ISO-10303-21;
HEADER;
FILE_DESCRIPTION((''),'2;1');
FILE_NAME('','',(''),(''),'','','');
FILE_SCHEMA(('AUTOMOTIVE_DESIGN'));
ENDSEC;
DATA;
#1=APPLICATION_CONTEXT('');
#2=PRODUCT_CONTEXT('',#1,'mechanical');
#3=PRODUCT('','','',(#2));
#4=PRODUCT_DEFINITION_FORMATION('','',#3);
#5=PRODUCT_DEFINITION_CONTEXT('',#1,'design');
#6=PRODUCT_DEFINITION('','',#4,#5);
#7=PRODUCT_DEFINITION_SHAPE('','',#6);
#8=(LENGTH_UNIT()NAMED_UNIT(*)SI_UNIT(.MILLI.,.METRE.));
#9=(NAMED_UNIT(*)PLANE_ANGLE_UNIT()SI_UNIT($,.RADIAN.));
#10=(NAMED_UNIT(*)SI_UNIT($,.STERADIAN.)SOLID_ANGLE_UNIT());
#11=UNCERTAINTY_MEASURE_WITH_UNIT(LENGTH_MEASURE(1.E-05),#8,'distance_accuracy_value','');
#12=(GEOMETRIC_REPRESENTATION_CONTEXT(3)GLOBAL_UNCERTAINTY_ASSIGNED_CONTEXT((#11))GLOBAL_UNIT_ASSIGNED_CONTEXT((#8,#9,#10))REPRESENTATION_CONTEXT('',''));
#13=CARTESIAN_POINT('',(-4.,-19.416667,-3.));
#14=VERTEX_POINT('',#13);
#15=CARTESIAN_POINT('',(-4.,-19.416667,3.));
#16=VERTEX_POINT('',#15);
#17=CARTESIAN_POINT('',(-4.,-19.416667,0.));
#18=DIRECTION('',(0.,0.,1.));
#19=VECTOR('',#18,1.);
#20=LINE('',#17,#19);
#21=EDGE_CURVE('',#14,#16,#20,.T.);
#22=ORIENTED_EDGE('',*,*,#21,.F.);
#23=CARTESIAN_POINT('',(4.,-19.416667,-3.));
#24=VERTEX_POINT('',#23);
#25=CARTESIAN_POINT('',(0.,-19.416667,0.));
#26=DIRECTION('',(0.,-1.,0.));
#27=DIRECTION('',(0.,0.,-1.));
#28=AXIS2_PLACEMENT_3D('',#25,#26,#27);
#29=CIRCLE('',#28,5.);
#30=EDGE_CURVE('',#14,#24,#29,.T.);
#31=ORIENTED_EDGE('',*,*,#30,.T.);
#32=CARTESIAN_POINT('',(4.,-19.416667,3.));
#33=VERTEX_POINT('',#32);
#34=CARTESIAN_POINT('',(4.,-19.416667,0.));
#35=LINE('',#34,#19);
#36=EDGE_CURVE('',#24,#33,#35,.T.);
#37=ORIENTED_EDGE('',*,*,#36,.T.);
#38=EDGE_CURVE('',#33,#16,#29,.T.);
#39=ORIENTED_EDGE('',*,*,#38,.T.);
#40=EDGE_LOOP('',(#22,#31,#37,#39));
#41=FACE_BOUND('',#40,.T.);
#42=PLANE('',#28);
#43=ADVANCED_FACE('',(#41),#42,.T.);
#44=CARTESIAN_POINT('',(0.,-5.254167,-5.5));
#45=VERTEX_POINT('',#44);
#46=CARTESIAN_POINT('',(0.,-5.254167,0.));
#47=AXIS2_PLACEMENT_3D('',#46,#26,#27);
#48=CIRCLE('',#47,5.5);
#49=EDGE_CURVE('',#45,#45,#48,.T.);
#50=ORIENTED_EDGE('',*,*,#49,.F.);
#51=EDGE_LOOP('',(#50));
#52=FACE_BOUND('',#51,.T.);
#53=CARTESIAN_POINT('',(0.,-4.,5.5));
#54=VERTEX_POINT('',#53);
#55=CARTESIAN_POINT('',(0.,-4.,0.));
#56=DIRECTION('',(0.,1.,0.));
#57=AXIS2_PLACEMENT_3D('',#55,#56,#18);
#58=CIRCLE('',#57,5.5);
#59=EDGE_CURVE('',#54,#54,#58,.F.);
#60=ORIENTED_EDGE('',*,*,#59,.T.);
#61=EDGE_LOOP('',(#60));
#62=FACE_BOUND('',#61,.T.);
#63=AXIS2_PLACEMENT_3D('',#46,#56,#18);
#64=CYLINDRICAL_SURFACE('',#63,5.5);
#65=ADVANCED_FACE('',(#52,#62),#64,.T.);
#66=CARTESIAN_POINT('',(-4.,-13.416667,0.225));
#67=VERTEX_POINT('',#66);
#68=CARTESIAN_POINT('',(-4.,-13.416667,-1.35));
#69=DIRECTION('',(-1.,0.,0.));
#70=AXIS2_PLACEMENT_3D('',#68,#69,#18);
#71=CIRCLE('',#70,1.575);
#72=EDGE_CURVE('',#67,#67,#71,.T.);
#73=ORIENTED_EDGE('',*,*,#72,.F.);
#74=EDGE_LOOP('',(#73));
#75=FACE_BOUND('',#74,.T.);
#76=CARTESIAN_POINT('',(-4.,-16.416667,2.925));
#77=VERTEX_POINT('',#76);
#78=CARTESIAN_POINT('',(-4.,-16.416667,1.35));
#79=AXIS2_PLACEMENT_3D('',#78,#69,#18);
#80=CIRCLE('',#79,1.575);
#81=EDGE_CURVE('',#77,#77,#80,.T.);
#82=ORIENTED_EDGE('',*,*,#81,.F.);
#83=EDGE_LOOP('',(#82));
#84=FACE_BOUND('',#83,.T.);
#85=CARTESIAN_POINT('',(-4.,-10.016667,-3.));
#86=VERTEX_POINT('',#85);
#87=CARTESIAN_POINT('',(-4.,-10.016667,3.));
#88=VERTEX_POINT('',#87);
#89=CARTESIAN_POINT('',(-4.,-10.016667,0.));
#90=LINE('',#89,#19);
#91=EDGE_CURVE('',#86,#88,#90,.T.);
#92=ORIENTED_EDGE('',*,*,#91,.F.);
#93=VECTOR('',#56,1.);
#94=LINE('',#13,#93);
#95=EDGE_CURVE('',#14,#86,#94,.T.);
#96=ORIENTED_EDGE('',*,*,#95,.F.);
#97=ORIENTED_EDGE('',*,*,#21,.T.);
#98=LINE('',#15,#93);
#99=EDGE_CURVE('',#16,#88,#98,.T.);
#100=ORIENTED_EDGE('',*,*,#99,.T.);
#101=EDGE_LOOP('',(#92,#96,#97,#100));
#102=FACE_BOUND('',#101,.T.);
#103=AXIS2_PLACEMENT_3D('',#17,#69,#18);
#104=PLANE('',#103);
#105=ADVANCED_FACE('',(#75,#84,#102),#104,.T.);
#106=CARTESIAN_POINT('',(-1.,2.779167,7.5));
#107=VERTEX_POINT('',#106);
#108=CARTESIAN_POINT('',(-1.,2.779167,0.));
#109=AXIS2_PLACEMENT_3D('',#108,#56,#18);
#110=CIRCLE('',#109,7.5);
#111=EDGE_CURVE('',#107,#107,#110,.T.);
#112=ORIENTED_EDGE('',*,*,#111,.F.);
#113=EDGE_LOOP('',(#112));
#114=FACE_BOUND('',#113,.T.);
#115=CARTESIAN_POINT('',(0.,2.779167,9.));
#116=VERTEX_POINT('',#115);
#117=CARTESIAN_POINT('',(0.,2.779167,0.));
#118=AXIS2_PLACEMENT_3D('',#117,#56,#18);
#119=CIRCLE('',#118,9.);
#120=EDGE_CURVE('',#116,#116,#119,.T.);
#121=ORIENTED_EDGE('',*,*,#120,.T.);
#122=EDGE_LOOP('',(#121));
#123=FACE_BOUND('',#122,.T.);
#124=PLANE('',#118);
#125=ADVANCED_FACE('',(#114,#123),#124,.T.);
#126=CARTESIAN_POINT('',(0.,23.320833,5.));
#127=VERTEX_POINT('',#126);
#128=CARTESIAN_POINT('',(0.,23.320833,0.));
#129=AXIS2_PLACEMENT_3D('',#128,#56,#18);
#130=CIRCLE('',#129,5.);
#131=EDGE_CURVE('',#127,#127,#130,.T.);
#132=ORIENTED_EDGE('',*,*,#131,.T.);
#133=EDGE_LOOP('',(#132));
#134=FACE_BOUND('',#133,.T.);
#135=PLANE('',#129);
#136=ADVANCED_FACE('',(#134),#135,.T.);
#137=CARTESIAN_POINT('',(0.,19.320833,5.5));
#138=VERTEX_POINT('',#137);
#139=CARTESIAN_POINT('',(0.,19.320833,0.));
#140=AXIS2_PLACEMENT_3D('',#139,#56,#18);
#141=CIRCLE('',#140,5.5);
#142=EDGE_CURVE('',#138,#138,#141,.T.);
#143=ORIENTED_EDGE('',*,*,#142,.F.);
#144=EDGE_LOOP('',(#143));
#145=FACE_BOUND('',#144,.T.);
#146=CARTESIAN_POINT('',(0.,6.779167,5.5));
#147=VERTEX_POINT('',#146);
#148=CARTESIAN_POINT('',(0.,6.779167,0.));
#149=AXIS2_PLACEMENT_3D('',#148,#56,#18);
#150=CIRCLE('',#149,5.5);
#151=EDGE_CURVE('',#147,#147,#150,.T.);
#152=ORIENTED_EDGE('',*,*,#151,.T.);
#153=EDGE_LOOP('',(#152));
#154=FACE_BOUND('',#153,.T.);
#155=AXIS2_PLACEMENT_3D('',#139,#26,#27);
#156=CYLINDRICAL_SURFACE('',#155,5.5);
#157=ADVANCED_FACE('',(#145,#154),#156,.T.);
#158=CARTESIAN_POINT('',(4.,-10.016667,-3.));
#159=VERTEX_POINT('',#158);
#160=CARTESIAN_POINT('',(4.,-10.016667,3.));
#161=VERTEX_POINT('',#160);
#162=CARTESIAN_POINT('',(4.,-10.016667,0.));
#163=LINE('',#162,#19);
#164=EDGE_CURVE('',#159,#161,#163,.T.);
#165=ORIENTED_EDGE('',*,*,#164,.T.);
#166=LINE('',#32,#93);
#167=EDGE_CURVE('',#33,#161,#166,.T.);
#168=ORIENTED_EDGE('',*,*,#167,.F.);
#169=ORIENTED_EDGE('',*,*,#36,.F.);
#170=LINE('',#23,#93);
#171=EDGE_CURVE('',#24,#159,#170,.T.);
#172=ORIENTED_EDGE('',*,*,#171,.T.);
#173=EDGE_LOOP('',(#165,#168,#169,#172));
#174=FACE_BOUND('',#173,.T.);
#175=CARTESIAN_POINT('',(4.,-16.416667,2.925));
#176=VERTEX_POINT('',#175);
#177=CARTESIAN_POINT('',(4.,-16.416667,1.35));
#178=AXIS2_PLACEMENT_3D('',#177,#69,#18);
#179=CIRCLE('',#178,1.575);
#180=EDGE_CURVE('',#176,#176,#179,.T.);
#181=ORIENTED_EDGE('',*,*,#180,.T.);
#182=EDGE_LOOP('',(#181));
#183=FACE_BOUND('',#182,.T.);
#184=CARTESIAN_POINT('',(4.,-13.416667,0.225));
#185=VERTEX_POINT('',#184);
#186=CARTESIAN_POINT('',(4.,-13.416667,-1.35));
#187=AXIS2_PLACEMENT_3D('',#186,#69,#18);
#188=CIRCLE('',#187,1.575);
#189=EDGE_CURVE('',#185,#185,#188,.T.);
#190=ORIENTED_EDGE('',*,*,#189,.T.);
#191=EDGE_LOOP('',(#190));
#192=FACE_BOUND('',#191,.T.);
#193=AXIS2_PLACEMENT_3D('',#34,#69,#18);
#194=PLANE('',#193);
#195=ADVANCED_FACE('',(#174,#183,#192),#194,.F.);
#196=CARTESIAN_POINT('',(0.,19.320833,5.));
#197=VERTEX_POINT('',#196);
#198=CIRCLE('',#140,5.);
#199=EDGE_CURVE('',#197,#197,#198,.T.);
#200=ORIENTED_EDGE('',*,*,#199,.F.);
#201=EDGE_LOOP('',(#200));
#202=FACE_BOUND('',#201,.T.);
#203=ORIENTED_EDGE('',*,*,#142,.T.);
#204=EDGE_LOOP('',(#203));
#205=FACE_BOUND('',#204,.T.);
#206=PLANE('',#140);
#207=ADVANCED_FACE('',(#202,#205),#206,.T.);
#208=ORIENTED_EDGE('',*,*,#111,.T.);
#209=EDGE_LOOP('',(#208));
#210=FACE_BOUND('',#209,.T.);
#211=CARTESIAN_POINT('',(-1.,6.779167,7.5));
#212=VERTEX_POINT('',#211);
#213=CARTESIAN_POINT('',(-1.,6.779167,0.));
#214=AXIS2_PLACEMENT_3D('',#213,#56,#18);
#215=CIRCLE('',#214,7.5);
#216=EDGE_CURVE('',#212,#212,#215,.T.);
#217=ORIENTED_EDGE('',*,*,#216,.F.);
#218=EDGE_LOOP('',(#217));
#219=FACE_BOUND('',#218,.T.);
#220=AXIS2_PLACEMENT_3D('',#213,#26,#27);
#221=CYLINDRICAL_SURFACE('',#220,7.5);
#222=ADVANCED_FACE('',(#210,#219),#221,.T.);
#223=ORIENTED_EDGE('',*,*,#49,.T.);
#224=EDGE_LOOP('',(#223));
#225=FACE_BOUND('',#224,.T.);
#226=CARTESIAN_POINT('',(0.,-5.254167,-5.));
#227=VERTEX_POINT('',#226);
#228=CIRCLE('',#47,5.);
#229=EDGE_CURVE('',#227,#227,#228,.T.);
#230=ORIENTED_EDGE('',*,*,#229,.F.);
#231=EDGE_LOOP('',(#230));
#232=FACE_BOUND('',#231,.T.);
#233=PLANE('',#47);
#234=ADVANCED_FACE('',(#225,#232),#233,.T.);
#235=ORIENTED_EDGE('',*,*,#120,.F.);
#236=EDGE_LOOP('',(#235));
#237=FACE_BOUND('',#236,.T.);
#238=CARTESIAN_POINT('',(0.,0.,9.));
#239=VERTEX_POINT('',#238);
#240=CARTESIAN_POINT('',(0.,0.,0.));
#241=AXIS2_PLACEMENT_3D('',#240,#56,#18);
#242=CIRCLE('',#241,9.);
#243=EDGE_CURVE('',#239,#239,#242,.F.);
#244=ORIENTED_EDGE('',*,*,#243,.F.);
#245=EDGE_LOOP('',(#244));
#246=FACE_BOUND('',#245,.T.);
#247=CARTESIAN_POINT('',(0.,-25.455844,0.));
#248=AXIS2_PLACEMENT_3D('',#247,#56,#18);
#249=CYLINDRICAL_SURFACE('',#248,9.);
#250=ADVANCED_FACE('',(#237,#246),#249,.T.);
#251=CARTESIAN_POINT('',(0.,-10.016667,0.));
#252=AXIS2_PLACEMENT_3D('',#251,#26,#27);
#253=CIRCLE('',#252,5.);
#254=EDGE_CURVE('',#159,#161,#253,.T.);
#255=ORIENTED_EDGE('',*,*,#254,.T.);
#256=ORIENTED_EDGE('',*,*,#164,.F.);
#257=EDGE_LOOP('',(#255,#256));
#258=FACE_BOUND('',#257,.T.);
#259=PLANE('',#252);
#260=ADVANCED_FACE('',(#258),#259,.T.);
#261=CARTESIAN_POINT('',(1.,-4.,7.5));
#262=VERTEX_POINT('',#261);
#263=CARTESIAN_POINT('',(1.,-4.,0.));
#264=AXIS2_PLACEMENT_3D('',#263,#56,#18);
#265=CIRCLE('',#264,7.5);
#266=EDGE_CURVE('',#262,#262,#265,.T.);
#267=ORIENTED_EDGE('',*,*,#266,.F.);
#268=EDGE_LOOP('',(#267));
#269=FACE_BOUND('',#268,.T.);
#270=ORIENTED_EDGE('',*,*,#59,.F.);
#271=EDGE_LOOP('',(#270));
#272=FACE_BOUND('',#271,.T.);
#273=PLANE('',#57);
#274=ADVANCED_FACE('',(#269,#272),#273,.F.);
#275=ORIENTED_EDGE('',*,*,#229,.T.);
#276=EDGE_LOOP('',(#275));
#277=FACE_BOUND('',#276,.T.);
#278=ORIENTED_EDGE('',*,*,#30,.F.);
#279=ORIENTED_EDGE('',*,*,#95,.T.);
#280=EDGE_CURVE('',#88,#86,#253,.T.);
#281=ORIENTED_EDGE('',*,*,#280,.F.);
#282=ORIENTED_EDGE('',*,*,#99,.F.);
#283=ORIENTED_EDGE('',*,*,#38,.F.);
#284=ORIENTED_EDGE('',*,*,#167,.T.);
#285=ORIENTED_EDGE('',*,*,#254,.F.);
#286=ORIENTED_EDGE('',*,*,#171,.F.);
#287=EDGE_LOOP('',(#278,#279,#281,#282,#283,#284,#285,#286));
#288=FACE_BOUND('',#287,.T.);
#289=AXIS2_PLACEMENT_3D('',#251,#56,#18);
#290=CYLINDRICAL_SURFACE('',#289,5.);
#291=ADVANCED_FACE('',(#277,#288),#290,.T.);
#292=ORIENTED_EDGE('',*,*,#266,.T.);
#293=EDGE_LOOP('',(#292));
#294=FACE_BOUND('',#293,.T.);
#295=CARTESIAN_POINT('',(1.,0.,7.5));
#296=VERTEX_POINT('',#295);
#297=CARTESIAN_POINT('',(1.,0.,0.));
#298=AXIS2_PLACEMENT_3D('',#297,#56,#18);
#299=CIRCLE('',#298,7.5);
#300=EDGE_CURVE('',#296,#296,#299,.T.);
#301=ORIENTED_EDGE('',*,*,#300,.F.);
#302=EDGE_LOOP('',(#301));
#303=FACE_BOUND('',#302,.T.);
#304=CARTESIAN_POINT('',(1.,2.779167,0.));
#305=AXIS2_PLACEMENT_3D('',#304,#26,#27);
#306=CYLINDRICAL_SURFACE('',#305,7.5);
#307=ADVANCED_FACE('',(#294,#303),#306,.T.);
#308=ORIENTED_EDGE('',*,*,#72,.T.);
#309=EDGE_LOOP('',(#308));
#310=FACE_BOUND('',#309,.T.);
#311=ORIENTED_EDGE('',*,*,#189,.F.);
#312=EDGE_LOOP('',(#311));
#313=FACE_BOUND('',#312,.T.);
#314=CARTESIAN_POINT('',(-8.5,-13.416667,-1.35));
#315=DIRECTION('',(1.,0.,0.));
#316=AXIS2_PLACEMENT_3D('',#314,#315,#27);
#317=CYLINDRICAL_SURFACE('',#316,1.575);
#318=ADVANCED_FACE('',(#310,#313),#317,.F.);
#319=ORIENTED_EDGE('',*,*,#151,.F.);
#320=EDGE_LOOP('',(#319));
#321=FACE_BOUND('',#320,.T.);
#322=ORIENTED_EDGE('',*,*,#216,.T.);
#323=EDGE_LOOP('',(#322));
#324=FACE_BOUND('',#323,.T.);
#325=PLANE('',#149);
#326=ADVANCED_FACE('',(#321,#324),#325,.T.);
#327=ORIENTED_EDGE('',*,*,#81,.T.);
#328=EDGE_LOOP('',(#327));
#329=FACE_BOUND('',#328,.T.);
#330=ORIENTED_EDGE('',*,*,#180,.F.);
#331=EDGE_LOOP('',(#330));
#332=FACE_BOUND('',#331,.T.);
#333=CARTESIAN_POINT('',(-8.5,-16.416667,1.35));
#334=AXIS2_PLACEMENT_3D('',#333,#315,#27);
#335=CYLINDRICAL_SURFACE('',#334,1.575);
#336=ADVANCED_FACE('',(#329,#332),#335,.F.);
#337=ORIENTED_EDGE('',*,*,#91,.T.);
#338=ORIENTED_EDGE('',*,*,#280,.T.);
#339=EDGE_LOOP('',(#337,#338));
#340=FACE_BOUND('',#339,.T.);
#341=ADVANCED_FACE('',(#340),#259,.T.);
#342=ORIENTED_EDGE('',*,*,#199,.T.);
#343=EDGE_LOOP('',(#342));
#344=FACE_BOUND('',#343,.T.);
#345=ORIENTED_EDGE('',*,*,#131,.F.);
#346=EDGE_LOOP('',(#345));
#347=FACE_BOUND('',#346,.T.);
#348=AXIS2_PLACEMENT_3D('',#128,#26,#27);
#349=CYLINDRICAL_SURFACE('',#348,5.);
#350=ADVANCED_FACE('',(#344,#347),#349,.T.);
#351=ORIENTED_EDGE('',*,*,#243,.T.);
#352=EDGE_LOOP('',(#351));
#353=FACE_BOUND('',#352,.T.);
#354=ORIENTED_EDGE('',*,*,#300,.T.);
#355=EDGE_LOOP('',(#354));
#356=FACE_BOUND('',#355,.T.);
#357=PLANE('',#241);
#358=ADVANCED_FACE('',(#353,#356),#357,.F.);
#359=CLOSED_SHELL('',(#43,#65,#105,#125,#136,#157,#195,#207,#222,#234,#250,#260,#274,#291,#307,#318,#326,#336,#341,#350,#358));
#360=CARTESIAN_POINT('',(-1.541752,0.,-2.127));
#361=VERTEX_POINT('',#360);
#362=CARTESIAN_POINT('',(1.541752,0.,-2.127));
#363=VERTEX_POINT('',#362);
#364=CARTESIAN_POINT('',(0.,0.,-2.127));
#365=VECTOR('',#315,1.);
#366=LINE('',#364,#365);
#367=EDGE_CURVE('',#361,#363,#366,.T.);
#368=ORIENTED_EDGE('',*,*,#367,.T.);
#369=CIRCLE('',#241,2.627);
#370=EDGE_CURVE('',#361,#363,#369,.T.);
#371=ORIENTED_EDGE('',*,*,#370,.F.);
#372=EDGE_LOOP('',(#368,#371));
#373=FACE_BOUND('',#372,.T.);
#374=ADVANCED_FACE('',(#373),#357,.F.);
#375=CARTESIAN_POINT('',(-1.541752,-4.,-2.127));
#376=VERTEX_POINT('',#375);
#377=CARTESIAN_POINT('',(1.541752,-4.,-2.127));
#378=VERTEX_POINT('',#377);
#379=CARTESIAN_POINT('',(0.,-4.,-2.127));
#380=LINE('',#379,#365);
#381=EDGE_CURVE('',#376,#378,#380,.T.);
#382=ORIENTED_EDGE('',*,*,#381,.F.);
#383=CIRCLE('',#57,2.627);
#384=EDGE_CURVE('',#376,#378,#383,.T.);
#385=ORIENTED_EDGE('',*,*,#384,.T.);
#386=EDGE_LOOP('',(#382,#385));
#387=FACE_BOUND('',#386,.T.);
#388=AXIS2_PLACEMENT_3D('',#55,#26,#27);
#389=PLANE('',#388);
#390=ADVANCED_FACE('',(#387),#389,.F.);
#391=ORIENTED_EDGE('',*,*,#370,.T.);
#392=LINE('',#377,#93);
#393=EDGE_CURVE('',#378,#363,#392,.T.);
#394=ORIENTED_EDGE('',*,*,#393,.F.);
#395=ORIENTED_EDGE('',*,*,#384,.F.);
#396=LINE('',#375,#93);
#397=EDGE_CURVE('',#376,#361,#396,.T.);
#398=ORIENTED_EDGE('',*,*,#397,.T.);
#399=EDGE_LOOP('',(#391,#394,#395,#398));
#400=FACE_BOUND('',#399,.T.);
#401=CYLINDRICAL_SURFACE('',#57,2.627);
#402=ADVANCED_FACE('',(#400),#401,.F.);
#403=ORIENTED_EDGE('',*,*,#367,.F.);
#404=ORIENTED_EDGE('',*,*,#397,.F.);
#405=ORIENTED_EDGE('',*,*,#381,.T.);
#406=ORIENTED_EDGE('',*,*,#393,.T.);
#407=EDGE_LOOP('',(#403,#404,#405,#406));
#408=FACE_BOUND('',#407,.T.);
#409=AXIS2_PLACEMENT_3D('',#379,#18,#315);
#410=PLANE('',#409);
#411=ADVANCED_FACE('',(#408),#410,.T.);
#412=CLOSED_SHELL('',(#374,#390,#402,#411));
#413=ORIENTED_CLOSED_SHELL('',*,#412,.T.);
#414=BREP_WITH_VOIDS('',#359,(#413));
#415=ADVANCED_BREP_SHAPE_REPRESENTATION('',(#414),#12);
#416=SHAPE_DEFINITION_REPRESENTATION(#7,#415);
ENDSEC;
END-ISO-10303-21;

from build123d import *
from build123d.topology import SkipClean

# Parameters (mm, degrees)
SKETCH1_R               = 7.5
BOSS_EXTRUDE1_DEPTH     = 6.779166667
SKETCH1_3_R             = 7.5
BOSS_EXTRUDE2_DEPTH     = 2.779166667
BOSS_EXTRUDE3_START     = -4
SKETCH1_4_R             = 7.5
BOSS_EXTRUDE3_DEPTH     = 4
SKETCH2_R               = 5
BOSS_EXTRUDE4_DEPTH     = 6.016666667
SKETCH2_3_R             = 5.5
SKETCH2_3_R_2           = 5
BOSS_EXTRUDE5_DEPTH     = 1.254166667
BOSS_EXTRUDE9_START     = 16.541666667
SKETCH3_R               = 5
BOSS_EXTRUDE9_DEPTH     = 16.541666667
BOSS_EXTRUDE10_START    = 12.541666667
SKETCH3_3_R             = 5.5
SKETCH3_3_R_2           = 5
BOSS_EXTRUDE10_DEPTH    = 12.541666667
BOSS_EXTRUDE11_DEPTH    = 9.4
CUT_EXTRUDE1_DEPTH      = 28.502022969
CUT_EXTRUDE1_DEPTH_BACK = 28.502022969
SKETCH5_R               = 1.575
CUT_EXTRUDE5_START      = -2.779166667
CUT_EXTRUDE5_DEPTH      = 2.779166667
BOSS_EXTRUDE12_START    = -2.779166667
SKETCH6_4_R             = 9
BOSS_EXTRUDE12_DEPTH    = 2.779166667


with BuildPart() as part:
    # Sketch1 → Boss-Extrude1 (new body)
    with BuildSketch(Plane(origin=(0, 0, 0), x_dir=(1, 0, 0), z_dir=(0, 1, 0))):
        with Locations(Location((-1, 0, 0), (0, 0, 270))):
            Circle(SKETCH1_R)
    extrude(amount=BOSS_EXTRUDE1_DEPTH)

    # Sketch1<3> → Boss-Extrude2 (add)
    with BuildSketch(Plane(origin=(0, 0, 0), x_dir=(1, 0, 0), z_dir=(0, 1, 0))):
        with Locations(Location((-1, 0, 0), (0, 0, 82.337744339))):
            Circle(SKETCH1_3_R)
        with Locations((1, 0)):
            Circle(SKETCH1_3_R)
    extrude(amount=BOSS_EXTRUDE2_DEPTH)

    # Sketch1<4> → Boss-Extrude3 (add)
    with BuildSketch(Plane(origin=(0, 0, 0), x_dir=(1, 0, 0), z_dir=(0, 1, 0)).offset(BOSS_EXTRUDE3_START)):
        with Locations(Location((1, 0, 0), (0, 0, 97.662255661))):
            Circle(SKETCH1_4_R)
        with BuildLine():
            Line((-1.54175225, 2.127), (1.54175225, 2.127))
            ThreePointArc((1.54175225, 2.127), (0, -2.627), (-1.54175225, 2.127))
        make_face(mode=Mode.SUBTRACT)
    extrude(amount=BOSS_EXTRUDE3_DEPTH)

    # Sketch2 → Boss-Extrude4 (add)
    with BuildSketch(Plane.XZ.offset(4)):
        with Locations(Location((0, 0, 0), (0, 0, 90))):
            Circle(SKETCH2_R)
    extrude(amount=BOSS_EXTRUDE4_DEPTH)

    # Sketch2<3> → Boss-Extrude5 (add)
    with BuildSketch(Plane.XZ.offset(4)):
        with Locations(Location((0, 0, 0), (0, 0, 90))):
            Circle(SKETCH2_3_R)
        with Locations(Location((0, 0, 0), (0, 0, 270))):
            Circle(SKETCH2_3_R_2, mode=Mode.SUBTRACT)
    extrude(amount=BOSS_EXTRUDE5_DEPTH)

    # Sketch3 → Boss-Extrude9 (add)
    with BuildSketch(Plane(origin=(0, 6.779166667, 0), x_dir=(1, 0, 0), z_dir=(0, 1, 0)).offset(BOSS_EXTRUDE9_START)):
        with Locations(Location((0, 0, 0), (0, 0, 90))):
            Circle(SKETCH3_R)
    extrude(amount=-BOSS_EXTRUDE9_DEPTH)

    # Sketch3<3> → Boss-Extrude10 (add)
    with BuildSketch(Plane(origin=(0, 6.779166667, 0), x_dir=(1, 0, 0), z_dir=(0, 1, 0)).offset(BOSS_EXTRUDE10_START)):
        with Locations(Location((0, 0, 0), (0, 0, 270))):
            Circle(SKETCH3_3_R)
        with Locations(Location((0, 0, 0), (0, 0, 90))):
            Circle(SKETCH3_3_R_2, mode=Mode.SUBTRACT)
    extrude(amount=-BOSS_EXTRUDE10_DEPTH)

    # Sketch4 → Boss-Extrude11 (add)
    with BuildSketch(Plane.XZ.offset(10.016666667)):
        with BuildLine():
            Line((-4, 3), (-4, -3))
            ThreePointArc((-4, -3), (0, -5), (4, -3))
            Line((4, -3), (4, 3))
            ThreePointArc((4, 3), (0, 5), (-4, 3))
        make_face()
    extrude(amount=BOSS_EXTRUDE11_DEPTH)

    # Sketch5 → Cut-Extrude1 (cut, two sides: drawn at the far end of the back side and taken through both)
    with BuildSketch(Plane(origin=(4, 0, 0), x_dir=(0, 0, -1), z_dir=(1, 0, 0)).offset(-CUT_EXTRUDE1_DEPTH_BACK)):
        with Locations(Location((-1.35, -16.416666667, 0), (0, 0, 180))):
            Circle(SKETCH5_R)
        with Locations(Location((1.35, -13.416666667, 0), (0, 0, 180))):
            Circle(SKETCH5_R)
    extrude(amount=CUT_EXTRUDE1_DEPTH + CUT_EXTRUDE1_DEPTH_BACK, mode=Mode.SUBTRACT)

    # Sketch6 → Cut-Extrude5 (cut)
    with SkipClean():  # the faces are left unmerged after this step: merging them gives an invalid solid
        with BuildSketch(Plane(origin=(0, 2.779166667, 0), x_dir=(1, 0, 0), z_dir=(0, 1, 0)).offset(CUT_EXTRUDE5_START)):
            with BuildLine():
                ThreePointArc((0, -7.433034374), (8.5, 0), (0, 7.433034374))
                ThreePointArc((0, 7.433034374), (6.5, 0), (0, -7.433034374))
            make_face()
        extrude(amount=CUT_EXTRUDE5_DEPTH, mode=Mode.SUBTRACT)

    # Sketch6<4> → Boss-Extrude12 (add)
    # profile 1 of 2: a face of its own
    with BuildSketch(Plane(origin=(0, 2.779166667, 0), x_dir=(1, 0, 0), z_dir=(0, 1, 0)).offset(BOSS_EXTRUDE12_START)):
        with Locations(Location((0, 0, 0), (0, 0, 270))):
            Circle(SKETCH6_4_R)
        with BuildLine():
            ThreePointArc((0, 7.433034374), (6.5, 0), (0, -7.433034374))
            ThreePointArc((0, -7.433034374), (8.5, 0), (0, 7.433034374))
        make_face(mode=Mode.SUBTRACT)
    # profile 2 of 2: a face of its own
    with BuildSketch(Plane(origin=(0, 2.779166667, 0), x_dir=(1, 0, 0), z_dir=(0, 1, 0)).offset(BOSS_EXTRUDE12_START)):
        with BuildLine():
            ThreePointArc((0, -7.433034374), (8.5, 0), (0, 7.433034374))
            ThreePointArc((0, 7.433034374), (6.5, 0), (0, -7.433034374))
        make_face()
    extrude(amount=BOSS_EXTRUDE12_DEPTH)


solid = part.part
